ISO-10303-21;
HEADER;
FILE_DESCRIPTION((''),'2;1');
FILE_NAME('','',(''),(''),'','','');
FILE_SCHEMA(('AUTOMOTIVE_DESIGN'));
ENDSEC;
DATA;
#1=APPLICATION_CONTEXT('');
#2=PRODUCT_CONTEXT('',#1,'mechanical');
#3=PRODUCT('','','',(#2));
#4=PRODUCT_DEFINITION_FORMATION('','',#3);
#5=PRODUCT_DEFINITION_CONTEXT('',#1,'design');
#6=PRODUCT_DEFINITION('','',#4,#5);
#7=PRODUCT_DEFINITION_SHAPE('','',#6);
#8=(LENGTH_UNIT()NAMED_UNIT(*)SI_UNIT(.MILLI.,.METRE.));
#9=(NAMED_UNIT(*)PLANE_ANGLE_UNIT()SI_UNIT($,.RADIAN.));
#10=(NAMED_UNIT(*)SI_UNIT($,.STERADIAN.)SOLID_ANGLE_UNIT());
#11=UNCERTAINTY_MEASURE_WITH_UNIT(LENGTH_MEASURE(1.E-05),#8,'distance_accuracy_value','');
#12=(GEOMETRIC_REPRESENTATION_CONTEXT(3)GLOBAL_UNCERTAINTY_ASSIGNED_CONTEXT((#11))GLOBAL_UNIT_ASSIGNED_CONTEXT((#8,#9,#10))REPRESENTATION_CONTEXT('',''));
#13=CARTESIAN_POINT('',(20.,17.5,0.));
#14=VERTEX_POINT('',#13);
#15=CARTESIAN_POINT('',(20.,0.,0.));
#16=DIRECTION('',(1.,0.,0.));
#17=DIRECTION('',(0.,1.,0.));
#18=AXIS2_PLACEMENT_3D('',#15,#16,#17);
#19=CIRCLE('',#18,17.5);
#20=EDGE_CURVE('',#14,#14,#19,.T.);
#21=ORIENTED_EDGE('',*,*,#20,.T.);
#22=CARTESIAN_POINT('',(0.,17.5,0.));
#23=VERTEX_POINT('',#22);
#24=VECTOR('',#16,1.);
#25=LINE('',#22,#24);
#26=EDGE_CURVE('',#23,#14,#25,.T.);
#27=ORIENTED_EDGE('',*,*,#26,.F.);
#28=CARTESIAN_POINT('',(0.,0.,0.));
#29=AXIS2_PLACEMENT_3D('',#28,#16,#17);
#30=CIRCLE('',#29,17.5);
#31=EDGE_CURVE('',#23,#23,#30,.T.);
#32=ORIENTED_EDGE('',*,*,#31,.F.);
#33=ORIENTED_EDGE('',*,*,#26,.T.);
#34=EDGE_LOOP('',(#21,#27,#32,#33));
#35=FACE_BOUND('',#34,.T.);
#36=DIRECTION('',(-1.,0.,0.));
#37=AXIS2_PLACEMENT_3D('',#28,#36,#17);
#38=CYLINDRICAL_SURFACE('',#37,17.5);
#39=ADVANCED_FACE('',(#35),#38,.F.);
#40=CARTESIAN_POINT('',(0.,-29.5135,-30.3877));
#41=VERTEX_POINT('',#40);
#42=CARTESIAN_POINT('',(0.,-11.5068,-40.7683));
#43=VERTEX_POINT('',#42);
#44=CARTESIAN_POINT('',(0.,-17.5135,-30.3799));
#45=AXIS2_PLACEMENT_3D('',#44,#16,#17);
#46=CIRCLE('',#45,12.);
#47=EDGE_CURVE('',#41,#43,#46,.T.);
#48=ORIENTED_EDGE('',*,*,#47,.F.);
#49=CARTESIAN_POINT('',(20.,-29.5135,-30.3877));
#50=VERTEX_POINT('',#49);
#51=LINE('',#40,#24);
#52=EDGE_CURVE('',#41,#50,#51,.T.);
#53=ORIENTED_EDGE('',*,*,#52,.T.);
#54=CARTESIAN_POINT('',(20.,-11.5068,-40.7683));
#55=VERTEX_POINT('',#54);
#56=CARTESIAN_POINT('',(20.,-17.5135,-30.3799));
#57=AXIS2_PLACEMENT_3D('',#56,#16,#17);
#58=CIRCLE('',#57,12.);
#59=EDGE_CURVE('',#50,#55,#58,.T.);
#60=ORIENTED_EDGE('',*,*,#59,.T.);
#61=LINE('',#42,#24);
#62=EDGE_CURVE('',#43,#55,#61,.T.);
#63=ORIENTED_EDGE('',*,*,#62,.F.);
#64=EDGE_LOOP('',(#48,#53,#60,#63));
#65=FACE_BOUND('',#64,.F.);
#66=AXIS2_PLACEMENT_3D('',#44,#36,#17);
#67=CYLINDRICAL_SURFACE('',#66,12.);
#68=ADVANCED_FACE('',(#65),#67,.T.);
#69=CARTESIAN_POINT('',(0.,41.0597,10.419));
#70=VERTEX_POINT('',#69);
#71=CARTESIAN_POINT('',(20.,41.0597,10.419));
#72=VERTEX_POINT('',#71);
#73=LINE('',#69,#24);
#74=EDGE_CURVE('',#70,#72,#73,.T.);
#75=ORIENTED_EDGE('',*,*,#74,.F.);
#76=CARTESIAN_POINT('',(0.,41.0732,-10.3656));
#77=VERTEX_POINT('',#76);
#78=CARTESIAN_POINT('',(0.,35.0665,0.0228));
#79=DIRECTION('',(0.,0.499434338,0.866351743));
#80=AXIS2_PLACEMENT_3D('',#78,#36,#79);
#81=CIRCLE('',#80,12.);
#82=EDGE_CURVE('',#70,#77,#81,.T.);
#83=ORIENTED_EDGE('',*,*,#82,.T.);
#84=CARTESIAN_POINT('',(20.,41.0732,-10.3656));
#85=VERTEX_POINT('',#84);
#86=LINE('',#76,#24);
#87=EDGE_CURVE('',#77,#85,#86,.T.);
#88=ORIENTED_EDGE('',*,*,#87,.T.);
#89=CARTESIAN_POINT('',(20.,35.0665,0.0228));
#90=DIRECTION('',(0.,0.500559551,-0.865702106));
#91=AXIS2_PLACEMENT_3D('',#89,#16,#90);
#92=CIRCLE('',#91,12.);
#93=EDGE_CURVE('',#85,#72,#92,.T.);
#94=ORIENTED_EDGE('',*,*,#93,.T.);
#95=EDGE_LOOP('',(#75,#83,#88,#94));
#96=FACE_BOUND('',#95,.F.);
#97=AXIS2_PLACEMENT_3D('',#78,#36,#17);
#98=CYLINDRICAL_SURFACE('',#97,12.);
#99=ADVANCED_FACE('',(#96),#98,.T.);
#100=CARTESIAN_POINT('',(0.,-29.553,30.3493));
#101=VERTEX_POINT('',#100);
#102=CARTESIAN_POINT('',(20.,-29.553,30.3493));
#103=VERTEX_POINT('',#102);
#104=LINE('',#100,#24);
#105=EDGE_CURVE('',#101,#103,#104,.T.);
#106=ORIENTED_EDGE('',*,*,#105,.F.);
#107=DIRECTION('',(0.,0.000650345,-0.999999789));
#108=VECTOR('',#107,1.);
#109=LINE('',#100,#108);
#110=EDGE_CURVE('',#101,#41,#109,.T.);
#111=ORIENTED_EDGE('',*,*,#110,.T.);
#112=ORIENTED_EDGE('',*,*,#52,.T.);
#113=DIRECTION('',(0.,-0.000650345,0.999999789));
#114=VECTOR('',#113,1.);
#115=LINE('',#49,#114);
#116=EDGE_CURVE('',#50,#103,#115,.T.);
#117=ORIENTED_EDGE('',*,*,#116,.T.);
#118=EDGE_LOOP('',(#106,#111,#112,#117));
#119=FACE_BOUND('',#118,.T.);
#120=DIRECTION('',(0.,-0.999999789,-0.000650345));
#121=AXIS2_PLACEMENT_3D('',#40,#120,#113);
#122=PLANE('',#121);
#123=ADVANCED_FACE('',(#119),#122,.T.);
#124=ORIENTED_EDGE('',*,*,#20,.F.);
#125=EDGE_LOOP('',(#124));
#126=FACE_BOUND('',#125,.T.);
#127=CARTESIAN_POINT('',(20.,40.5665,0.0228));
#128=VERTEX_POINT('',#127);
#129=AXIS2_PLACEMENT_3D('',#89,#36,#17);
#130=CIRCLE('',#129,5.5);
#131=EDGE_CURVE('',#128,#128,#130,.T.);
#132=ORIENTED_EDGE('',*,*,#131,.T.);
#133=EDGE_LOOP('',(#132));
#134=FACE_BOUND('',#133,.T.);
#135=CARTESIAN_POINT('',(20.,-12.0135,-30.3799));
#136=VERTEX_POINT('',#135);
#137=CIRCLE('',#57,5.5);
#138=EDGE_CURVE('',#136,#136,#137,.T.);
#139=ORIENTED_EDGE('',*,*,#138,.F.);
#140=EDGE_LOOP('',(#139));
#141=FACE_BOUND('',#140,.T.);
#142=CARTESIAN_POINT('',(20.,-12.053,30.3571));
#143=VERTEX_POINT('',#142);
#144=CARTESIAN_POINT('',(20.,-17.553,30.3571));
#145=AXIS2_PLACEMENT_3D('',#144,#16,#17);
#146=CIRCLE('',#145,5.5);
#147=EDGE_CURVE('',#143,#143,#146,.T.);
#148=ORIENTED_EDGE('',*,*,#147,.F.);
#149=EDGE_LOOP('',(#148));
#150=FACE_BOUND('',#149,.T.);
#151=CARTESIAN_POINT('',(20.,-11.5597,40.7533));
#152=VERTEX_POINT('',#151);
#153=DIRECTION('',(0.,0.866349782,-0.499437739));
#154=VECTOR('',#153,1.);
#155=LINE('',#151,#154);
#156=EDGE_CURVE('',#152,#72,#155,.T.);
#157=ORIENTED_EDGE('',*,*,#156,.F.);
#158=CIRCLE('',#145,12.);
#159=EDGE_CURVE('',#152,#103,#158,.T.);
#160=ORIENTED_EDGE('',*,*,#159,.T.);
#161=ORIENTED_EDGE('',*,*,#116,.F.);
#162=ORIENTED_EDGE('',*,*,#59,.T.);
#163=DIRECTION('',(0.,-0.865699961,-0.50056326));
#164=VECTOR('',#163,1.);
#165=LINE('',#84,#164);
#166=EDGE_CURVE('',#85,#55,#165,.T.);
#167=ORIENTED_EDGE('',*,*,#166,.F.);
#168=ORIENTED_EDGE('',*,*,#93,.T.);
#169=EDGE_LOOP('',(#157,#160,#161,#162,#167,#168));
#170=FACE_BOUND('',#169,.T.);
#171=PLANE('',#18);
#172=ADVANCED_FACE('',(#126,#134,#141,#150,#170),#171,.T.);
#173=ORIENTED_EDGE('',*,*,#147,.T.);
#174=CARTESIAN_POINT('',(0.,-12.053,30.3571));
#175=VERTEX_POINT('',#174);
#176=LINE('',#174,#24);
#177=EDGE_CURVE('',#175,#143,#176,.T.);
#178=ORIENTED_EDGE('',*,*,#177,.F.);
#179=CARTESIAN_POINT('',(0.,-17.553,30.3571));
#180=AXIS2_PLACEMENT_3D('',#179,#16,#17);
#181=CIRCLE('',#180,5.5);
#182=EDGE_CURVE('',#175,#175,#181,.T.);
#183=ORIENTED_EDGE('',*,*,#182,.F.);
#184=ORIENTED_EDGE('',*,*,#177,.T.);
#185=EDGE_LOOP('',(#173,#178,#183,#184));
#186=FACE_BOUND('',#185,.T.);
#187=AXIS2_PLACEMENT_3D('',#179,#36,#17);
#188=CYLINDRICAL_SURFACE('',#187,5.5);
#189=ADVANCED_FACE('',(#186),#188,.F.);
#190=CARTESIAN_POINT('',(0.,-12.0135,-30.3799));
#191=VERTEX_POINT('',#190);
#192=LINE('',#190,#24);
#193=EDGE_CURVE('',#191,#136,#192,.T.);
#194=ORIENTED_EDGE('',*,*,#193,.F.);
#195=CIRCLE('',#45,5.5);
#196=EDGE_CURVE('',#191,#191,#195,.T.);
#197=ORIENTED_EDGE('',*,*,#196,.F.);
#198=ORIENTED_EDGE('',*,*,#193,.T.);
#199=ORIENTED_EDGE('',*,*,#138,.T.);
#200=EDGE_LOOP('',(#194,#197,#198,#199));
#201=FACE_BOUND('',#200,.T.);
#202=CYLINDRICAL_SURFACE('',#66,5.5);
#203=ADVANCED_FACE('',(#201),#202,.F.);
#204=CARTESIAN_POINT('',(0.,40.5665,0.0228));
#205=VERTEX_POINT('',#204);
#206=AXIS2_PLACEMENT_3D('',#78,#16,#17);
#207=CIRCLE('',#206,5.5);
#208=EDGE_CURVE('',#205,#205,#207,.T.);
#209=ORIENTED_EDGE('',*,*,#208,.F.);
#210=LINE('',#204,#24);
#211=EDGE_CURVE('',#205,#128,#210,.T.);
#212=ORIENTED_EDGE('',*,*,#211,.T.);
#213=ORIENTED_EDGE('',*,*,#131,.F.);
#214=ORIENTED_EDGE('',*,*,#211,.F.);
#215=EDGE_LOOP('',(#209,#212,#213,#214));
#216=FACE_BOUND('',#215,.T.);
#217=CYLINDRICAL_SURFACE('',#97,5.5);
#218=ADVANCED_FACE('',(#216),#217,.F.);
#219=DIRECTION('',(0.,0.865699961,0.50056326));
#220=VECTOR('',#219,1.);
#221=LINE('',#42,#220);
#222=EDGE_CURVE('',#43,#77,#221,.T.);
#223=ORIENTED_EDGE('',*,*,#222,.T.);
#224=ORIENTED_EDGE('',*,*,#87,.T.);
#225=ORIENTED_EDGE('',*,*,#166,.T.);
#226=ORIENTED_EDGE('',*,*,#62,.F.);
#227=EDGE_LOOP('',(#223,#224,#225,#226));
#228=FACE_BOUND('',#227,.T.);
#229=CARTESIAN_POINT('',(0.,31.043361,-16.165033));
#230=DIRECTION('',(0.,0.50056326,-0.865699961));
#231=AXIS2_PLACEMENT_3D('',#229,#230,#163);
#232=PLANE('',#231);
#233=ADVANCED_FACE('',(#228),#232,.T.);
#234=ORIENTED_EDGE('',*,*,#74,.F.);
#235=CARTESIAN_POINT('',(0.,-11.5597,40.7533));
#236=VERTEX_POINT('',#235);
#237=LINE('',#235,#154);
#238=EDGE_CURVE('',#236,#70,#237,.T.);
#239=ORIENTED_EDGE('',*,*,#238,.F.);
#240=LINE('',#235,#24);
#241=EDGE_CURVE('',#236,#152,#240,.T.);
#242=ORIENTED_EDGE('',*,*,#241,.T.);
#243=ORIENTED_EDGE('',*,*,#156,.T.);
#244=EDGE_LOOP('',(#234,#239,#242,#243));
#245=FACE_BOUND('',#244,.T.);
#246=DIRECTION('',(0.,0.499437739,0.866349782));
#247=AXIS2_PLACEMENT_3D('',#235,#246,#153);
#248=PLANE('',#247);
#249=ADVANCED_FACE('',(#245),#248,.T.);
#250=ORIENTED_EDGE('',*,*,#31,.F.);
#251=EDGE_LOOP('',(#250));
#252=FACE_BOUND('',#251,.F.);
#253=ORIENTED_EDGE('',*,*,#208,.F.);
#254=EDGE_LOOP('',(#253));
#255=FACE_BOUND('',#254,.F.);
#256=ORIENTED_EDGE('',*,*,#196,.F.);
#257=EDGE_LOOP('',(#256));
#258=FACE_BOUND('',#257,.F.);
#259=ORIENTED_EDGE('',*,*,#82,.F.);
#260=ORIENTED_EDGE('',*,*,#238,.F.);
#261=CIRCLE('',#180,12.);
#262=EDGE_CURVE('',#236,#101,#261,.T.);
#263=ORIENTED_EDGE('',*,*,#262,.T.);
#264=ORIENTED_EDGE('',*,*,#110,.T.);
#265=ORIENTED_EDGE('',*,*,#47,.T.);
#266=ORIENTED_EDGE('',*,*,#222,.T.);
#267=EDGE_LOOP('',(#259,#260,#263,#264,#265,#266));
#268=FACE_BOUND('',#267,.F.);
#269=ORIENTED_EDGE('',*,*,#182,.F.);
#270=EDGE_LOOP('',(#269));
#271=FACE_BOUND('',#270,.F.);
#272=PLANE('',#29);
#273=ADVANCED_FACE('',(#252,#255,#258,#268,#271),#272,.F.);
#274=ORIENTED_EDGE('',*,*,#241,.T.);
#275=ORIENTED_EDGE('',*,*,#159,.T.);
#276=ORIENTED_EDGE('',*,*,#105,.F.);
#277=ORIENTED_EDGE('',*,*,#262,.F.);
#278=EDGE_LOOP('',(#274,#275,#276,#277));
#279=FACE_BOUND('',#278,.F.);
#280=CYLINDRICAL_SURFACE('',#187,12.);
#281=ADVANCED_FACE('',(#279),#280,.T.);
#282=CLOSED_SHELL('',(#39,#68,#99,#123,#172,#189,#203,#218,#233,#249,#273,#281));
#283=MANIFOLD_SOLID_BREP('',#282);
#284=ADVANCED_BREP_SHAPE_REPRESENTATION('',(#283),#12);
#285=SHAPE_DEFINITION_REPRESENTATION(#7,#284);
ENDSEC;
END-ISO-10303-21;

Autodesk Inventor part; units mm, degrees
ref_plane "YZ Plane" through (0, 0, 0) normal (1, 0, 0) x (0, 1, 0)
ref_plane "XZ Plane" through (0, 0, 0) normal (0, 1, 0) x (-1, 0, 0)
ref_plane "XY Plane" through (0, 0, 0) normal (0, 0, 1) x (1, 0, 0)
sketch "Sketch1" plane through (0, 0, 0) normal (1, 0, 0) x (0, 1, 0)
  point P0 (0, 0)
sketch "Sketch2" plane through (0, 0, 0) normal (1, 0, 0) x (0, 1, 0)
  circle A0 centre (0, 0) radius 17.5
  circle A1 centre (35.0665, 0.0228) radius 5.5
  circle A2 centre (-17.553, 30.3571) radius 5.5
  circle A3 centre (-17.5135, -30.3799) radius 5.5
  circle A4 centre (-17.5135, -30.3799) radius 12
  circle A5 centre (35.0665, 0.0228) radius 12
  circle A6 centre (-17.553, 30.3571) radius 12
  line L0 (-29.5135, -30.3877) -> (-29.553, 30.3493)
  line L1 (-11.5597, 40.7533) -> (41.0597, 10.419)
  line L2 (41.0732, -10.3656) -> (-11.5068, -40.7683)
  arc A7 (34.6387, -5.4605) -> (34.6316, 5.5056) centre (0, 0) ccw
  arc A8 (-26.717, 22.6098) -> (-29.5455, 18.7634) centre (0, 0) ccw
  arc A9 (-29.521, -18.8018) -> (-26.6876, -22.6445) centre (0, 0) ccw
  arc A10 (31.0434, -16.1651) -> (32.9545, -11.7899) centre (0, 0) ccw
  dimension "d0" = 35
  dimension "d2" = 11
  dimension "d5" = 360
  dimension "d7" = 24
  dimension "d8" = 24
  dimension "d9" = 24
extrude "Extrusion1" add sketch "Sketch2" along normal blind 20
